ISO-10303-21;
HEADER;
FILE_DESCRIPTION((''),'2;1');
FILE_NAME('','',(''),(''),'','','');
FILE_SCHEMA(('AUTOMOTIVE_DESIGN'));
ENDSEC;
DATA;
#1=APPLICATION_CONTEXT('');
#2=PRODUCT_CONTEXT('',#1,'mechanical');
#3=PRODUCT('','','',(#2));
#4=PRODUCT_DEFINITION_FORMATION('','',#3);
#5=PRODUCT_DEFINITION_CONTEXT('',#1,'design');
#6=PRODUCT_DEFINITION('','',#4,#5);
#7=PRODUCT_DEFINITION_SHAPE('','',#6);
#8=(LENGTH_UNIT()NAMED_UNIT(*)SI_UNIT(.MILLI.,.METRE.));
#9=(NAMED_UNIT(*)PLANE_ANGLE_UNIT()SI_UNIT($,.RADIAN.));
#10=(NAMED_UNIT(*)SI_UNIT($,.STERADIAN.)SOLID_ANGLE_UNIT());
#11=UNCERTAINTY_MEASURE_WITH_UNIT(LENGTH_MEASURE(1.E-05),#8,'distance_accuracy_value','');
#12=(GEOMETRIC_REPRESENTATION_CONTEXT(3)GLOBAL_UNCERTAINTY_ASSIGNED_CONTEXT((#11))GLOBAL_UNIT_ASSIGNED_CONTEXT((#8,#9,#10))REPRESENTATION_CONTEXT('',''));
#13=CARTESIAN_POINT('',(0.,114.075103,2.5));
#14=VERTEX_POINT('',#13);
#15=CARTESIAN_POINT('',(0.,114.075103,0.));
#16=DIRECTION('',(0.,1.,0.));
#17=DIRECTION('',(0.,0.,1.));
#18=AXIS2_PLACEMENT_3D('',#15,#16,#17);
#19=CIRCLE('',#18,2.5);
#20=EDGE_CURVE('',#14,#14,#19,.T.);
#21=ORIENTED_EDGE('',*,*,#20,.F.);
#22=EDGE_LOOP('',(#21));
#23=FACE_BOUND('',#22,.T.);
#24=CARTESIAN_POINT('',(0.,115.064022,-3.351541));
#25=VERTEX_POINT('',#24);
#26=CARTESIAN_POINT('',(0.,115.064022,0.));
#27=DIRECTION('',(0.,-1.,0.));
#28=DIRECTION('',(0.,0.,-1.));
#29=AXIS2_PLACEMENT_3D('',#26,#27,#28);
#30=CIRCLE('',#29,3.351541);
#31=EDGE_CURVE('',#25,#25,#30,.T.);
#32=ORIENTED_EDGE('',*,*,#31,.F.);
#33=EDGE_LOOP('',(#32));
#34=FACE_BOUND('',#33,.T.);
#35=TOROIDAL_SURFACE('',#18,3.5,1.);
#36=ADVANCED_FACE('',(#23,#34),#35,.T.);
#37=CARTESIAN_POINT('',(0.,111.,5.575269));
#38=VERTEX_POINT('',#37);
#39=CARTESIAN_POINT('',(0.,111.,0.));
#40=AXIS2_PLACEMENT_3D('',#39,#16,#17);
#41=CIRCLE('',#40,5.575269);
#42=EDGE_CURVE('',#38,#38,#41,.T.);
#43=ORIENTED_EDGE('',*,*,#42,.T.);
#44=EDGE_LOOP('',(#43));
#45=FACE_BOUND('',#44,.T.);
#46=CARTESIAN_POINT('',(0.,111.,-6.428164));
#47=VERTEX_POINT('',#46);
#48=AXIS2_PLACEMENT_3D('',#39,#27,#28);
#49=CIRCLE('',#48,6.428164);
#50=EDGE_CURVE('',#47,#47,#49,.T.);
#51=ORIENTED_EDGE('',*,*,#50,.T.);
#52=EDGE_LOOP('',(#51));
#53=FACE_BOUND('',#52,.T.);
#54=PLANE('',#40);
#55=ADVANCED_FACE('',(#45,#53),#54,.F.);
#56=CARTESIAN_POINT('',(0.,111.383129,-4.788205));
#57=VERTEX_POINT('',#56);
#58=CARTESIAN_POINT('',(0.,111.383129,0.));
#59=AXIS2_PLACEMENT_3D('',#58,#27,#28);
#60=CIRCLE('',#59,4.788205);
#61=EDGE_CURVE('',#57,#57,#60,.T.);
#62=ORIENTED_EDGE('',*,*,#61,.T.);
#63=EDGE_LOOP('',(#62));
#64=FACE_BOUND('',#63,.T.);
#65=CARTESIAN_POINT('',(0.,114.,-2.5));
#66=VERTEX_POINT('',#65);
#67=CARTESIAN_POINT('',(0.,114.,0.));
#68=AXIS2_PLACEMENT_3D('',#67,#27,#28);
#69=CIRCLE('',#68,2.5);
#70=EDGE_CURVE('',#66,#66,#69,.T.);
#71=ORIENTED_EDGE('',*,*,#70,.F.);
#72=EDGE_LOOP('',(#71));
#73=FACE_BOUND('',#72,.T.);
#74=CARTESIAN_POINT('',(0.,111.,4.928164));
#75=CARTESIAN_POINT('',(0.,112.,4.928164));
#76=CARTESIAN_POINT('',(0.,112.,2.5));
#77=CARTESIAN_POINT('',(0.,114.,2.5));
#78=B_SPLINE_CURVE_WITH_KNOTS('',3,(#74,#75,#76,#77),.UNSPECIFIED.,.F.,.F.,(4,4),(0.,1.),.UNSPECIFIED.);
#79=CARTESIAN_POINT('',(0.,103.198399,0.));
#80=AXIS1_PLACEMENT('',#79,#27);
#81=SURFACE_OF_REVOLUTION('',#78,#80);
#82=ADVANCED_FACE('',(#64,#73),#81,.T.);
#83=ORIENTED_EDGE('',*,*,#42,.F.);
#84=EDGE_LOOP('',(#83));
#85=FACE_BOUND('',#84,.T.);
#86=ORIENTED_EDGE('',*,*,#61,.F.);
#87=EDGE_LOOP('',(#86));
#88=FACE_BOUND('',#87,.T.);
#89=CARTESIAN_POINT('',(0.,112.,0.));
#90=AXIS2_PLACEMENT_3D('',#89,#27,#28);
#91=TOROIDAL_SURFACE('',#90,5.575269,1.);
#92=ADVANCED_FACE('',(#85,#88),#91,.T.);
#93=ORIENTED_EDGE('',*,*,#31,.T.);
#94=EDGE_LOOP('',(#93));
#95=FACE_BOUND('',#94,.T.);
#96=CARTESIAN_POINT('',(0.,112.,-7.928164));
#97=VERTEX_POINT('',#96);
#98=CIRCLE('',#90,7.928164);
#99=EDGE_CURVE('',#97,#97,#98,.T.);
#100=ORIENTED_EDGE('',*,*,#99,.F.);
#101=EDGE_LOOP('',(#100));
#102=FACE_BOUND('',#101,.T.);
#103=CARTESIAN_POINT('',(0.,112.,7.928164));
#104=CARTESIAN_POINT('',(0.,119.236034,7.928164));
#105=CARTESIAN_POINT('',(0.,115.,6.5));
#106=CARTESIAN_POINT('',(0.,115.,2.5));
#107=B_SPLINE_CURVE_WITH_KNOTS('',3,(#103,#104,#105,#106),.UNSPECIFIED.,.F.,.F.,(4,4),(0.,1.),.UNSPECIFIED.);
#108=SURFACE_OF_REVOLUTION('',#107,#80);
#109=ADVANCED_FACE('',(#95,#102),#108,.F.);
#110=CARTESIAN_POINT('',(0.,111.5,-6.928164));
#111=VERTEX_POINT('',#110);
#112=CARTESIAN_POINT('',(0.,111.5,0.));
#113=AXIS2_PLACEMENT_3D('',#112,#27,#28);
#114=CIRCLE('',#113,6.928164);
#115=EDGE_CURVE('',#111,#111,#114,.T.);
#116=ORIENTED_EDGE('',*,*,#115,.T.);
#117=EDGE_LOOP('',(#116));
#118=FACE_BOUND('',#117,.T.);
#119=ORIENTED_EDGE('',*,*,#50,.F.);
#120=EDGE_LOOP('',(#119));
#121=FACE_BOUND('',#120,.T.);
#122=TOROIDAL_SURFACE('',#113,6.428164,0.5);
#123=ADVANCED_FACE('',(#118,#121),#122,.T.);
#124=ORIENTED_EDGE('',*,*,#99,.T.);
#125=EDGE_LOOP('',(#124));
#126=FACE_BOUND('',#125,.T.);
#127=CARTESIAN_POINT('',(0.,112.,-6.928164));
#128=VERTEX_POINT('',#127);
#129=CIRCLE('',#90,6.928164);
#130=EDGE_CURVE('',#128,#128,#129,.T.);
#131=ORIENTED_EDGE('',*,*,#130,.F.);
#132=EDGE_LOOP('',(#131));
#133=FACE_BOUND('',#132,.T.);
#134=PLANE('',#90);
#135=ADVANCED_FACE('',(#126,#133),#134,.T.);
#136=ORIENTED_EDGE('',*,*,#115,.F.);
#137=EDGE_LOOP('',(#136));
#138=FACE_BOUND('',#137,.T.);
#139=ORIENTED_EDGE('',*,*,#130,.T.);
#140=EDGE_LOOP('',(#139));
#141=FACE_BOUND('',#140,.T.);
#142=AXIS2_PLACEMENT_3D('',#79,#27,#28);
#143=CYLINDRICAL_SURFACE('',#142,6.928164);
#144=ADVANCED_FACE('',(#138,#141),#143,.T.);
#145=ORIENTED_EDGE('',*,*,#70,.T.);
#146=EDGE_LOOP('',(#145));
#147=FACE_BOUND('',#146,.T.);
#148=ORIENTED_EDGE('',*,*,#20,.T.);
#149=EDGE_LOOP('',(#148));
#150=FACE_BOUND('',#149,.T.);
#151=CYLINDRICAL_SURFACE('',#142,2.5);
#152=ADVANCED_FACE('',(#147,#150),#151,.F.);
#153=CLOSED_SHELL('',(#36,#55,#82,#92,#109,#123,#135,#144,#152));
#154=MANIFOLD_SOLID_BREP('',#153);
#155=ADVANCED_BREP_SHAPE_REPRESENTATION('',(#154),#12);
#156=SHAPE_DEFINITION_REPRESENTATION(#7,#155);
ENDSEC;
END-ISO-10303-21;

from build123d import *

# Parameters (mm, degrees)
FILLET_1_R = 1


with BuildPart() as part:
    # 草图1 → 旋转1 (revolve)
    with BuildSketch(Plane(origin=(0, 0, 0), x_dir=(0, 0, -1), z_dir=(1, 0, 0)), mode=Mode.PRIVATE) as revolve_1_sk:
        with BuildLine():
            Line((-6.928164391, 112), (-7.928164391, 112))
            add(Edge.make_bspline(
                [(-7.928164391, 112), (-7.928164391, 119.236034272), (-6.5, 115), (-2.5, 115)],
                knots=[0, 0, 0, 0, 1, 1, 1, 1], degree=3))
            Line((-2.5, 115), (-2.5, 114))
            add(Edge.make_bspline(
                [(-4.928164391, 111), (-4.928164391, 112.00000018), (-2.5, 112.00000018), (-2.5, 114)],
                knots=[0, 0, 0, 0, 1, 1, 1, 1], degree=3))
            Line((-4.928164391, 111), (-6.428164391, 111))
            ThreePointArc((-6.428164391, 111), (-6.781717782, 111.146446609), (-6.928164391, 111.5))
            Line((-6.928164391, 111.5), (-6.928164391, 112))
        make_face()
    revolve(revolve_1_sk.sketch.rotate(Axis((0, 103.198398654, 0), (0, 1, 0)), 180), axis=Axis((0, 103.198398654, 0), (0, 1, 0)))

    # 圆角1
    fillet_1_edges = [part.edges().sort_by_distance(p)[0] for p in [
        (0, 115, 2.5),
        (0, 111, 4.928164391),
    ]]
    fillet(fillet_1_edges, radius=FILLET_1_R)


solid = part.part
